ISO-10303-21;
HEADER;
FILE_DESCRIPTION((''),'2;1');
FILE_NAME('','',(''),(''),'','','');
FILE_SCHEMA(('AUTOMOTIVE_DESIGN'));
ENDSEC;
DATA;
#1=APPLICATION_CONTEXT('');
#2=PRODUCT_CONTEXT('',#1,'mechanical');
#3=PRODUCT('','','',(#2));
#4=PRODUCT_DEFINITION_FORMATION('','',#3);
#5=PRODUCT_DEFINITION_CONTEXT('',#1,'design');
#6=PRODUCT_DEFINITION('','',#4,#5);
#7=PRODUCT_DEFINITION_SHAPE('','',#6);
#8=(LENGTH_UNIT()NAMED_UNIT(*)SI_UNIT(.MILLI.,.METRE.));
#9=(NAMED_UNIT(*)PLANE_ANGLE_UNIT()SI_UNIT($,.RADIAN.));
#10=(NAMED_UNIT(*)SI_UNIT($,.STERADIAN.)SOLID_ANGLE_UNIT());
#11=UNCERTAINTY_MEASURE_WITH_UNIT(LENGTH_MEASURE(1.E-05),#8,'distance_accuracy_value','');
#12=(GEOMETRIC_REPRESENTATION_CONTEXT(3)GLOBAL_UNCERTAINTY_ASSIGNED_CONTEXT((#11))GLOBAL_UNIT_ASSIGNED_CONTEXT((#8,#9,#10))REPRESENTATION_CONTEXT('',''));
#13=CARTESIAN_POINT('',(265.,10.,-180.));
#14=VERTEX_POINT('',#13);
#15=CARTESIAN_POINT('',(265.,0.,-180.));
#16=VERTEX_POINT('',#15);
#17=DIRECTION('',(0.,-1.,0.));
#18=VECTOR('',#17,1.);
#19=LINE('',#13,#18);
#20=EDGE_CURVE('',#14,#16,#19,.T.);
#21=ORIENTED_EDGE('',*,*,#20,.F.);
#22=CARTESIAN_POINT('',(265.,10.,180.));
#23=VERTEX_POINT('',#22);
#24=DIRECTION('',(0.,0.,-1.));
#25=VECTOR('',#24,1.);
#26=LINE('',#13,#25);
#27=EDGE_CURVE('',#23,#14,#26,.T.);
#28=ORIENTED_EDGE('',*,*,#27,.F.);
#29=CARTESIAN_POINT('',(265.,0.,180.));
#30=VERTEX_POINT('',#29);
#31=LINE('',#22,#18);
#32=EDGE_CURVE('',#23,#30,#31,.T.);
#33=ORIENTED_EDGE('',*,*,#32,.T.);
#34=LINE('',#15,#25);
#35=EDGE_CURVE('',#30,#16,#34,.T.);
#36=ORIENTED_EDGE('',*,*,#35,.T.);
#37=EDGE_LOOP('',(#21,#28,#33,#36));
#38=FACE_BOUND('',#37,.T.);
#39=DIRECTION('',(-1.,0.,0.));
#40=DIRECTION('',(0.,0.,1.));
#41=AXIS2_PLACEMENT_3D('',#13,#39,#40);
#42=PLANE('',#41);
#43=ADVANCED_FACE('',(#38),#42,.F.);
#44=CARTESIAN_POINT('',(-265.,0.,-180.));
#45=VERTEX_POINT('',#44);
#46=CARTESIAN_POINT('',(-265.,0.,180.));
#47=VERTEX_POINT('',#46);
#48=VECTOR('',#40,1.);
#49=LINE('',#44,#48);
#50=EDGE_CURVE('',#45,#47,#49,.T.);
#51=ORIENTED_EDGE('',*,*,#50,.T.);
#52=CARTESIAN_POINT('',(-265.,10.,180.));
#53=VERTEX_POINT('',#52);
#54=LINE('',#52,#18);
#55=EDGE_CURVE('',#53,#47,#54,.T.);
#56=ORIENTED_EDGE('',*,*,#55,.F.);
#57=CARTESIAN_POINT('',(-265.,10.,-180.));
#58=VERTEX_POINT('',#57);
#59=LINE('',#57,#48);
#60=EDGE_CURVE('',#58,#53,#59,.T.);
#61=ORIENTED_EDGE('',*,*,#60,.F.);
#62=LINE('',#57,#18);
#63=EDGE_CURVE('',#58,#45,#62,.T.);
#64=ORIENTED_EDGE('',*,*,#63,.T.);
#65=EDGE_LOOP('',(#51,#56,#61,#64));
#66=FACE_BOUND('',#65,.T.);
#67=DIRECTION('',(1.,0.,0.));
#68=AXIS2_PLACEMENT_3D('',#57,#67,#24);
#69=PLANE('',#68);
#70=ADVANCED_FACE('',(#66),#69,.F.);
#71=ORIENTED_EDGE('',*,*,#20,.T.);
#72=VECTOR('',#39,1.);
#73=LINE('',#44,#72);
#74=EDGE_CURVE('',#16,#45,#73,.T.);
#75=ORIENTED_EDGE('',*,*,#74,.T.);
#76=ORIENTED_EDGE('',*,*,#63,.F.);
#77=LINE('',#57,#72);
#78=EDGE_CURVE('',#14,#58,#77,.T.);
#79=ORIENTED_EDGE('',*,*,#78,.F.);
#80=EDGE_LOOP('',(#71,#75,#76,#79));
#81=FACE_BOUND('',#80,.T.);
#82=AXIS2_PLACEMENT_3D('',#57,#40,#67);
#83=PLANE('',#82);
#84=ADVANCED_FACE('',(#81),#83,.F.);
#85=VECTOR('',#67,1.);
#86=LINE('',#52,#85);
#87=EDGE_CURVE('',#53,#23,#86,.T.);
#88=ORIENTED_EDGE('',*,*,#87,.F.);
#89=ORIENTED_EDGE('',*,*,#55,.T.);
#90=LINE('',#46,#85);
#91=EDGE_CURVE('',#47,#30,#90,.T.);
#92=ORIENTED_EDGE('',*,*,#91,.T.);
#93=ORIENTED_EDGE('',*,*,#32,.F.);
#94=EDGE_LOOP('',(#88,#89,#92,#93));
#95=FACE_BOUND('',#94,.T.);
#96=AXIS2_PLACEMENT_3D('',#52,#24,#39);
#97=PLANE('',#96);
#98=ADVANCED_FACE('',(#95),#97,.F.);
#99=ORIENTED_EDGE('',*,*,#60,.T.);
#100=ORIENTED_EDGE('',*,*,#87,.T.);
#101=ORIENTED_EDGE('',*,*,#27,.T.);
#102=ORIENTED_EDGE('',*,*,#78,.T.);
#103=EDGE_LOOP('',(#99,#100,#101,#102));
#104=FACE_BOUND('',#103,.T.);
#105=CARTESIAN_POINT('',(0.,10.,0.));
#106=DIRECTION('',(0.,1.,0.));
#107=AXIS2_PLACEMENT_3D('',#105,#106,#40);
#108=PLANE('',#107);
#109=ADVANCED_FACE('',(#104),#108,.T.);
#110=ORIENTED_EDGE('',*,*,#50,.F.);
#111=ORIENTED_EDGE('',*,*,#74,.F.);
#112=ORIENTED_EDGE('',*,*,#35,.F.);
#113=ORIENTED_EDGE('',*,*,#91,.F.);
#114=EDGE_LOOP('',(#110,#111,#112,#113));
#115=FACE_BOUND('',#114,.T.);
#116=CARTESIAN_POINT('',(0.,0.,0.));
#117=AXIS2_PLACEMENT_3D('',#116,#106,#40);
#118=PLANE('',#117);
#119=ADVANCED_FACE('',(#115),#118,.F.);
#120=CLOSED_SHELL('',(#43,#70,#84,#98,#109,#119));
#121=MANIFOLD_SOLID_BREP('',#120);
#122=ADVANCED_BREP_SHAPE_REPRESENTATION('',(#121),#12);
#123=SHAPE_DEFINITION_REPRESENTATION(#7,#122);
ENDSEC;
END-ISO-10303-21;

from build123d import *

# Parameters (mm, degrees)
SKETCH_1_W      = 530
SKETCH_1_H      = 360
EXTRUDE_1_DEPTH = 10


with BuildPart() as part:
    # Эскиз1 → Бобышка-Вытянуть1 (new body)
    with BuildSketch(Plane(origin=(0, 0, 0), x_dir=(1, 0, 0), z_dir=(0, 1, 0))):
        Rectangle(SKETCH_1_W, SKETCH_1_H)
    extrude(amount=EXTRUDE_1_DEPTH)


solid = part.part
